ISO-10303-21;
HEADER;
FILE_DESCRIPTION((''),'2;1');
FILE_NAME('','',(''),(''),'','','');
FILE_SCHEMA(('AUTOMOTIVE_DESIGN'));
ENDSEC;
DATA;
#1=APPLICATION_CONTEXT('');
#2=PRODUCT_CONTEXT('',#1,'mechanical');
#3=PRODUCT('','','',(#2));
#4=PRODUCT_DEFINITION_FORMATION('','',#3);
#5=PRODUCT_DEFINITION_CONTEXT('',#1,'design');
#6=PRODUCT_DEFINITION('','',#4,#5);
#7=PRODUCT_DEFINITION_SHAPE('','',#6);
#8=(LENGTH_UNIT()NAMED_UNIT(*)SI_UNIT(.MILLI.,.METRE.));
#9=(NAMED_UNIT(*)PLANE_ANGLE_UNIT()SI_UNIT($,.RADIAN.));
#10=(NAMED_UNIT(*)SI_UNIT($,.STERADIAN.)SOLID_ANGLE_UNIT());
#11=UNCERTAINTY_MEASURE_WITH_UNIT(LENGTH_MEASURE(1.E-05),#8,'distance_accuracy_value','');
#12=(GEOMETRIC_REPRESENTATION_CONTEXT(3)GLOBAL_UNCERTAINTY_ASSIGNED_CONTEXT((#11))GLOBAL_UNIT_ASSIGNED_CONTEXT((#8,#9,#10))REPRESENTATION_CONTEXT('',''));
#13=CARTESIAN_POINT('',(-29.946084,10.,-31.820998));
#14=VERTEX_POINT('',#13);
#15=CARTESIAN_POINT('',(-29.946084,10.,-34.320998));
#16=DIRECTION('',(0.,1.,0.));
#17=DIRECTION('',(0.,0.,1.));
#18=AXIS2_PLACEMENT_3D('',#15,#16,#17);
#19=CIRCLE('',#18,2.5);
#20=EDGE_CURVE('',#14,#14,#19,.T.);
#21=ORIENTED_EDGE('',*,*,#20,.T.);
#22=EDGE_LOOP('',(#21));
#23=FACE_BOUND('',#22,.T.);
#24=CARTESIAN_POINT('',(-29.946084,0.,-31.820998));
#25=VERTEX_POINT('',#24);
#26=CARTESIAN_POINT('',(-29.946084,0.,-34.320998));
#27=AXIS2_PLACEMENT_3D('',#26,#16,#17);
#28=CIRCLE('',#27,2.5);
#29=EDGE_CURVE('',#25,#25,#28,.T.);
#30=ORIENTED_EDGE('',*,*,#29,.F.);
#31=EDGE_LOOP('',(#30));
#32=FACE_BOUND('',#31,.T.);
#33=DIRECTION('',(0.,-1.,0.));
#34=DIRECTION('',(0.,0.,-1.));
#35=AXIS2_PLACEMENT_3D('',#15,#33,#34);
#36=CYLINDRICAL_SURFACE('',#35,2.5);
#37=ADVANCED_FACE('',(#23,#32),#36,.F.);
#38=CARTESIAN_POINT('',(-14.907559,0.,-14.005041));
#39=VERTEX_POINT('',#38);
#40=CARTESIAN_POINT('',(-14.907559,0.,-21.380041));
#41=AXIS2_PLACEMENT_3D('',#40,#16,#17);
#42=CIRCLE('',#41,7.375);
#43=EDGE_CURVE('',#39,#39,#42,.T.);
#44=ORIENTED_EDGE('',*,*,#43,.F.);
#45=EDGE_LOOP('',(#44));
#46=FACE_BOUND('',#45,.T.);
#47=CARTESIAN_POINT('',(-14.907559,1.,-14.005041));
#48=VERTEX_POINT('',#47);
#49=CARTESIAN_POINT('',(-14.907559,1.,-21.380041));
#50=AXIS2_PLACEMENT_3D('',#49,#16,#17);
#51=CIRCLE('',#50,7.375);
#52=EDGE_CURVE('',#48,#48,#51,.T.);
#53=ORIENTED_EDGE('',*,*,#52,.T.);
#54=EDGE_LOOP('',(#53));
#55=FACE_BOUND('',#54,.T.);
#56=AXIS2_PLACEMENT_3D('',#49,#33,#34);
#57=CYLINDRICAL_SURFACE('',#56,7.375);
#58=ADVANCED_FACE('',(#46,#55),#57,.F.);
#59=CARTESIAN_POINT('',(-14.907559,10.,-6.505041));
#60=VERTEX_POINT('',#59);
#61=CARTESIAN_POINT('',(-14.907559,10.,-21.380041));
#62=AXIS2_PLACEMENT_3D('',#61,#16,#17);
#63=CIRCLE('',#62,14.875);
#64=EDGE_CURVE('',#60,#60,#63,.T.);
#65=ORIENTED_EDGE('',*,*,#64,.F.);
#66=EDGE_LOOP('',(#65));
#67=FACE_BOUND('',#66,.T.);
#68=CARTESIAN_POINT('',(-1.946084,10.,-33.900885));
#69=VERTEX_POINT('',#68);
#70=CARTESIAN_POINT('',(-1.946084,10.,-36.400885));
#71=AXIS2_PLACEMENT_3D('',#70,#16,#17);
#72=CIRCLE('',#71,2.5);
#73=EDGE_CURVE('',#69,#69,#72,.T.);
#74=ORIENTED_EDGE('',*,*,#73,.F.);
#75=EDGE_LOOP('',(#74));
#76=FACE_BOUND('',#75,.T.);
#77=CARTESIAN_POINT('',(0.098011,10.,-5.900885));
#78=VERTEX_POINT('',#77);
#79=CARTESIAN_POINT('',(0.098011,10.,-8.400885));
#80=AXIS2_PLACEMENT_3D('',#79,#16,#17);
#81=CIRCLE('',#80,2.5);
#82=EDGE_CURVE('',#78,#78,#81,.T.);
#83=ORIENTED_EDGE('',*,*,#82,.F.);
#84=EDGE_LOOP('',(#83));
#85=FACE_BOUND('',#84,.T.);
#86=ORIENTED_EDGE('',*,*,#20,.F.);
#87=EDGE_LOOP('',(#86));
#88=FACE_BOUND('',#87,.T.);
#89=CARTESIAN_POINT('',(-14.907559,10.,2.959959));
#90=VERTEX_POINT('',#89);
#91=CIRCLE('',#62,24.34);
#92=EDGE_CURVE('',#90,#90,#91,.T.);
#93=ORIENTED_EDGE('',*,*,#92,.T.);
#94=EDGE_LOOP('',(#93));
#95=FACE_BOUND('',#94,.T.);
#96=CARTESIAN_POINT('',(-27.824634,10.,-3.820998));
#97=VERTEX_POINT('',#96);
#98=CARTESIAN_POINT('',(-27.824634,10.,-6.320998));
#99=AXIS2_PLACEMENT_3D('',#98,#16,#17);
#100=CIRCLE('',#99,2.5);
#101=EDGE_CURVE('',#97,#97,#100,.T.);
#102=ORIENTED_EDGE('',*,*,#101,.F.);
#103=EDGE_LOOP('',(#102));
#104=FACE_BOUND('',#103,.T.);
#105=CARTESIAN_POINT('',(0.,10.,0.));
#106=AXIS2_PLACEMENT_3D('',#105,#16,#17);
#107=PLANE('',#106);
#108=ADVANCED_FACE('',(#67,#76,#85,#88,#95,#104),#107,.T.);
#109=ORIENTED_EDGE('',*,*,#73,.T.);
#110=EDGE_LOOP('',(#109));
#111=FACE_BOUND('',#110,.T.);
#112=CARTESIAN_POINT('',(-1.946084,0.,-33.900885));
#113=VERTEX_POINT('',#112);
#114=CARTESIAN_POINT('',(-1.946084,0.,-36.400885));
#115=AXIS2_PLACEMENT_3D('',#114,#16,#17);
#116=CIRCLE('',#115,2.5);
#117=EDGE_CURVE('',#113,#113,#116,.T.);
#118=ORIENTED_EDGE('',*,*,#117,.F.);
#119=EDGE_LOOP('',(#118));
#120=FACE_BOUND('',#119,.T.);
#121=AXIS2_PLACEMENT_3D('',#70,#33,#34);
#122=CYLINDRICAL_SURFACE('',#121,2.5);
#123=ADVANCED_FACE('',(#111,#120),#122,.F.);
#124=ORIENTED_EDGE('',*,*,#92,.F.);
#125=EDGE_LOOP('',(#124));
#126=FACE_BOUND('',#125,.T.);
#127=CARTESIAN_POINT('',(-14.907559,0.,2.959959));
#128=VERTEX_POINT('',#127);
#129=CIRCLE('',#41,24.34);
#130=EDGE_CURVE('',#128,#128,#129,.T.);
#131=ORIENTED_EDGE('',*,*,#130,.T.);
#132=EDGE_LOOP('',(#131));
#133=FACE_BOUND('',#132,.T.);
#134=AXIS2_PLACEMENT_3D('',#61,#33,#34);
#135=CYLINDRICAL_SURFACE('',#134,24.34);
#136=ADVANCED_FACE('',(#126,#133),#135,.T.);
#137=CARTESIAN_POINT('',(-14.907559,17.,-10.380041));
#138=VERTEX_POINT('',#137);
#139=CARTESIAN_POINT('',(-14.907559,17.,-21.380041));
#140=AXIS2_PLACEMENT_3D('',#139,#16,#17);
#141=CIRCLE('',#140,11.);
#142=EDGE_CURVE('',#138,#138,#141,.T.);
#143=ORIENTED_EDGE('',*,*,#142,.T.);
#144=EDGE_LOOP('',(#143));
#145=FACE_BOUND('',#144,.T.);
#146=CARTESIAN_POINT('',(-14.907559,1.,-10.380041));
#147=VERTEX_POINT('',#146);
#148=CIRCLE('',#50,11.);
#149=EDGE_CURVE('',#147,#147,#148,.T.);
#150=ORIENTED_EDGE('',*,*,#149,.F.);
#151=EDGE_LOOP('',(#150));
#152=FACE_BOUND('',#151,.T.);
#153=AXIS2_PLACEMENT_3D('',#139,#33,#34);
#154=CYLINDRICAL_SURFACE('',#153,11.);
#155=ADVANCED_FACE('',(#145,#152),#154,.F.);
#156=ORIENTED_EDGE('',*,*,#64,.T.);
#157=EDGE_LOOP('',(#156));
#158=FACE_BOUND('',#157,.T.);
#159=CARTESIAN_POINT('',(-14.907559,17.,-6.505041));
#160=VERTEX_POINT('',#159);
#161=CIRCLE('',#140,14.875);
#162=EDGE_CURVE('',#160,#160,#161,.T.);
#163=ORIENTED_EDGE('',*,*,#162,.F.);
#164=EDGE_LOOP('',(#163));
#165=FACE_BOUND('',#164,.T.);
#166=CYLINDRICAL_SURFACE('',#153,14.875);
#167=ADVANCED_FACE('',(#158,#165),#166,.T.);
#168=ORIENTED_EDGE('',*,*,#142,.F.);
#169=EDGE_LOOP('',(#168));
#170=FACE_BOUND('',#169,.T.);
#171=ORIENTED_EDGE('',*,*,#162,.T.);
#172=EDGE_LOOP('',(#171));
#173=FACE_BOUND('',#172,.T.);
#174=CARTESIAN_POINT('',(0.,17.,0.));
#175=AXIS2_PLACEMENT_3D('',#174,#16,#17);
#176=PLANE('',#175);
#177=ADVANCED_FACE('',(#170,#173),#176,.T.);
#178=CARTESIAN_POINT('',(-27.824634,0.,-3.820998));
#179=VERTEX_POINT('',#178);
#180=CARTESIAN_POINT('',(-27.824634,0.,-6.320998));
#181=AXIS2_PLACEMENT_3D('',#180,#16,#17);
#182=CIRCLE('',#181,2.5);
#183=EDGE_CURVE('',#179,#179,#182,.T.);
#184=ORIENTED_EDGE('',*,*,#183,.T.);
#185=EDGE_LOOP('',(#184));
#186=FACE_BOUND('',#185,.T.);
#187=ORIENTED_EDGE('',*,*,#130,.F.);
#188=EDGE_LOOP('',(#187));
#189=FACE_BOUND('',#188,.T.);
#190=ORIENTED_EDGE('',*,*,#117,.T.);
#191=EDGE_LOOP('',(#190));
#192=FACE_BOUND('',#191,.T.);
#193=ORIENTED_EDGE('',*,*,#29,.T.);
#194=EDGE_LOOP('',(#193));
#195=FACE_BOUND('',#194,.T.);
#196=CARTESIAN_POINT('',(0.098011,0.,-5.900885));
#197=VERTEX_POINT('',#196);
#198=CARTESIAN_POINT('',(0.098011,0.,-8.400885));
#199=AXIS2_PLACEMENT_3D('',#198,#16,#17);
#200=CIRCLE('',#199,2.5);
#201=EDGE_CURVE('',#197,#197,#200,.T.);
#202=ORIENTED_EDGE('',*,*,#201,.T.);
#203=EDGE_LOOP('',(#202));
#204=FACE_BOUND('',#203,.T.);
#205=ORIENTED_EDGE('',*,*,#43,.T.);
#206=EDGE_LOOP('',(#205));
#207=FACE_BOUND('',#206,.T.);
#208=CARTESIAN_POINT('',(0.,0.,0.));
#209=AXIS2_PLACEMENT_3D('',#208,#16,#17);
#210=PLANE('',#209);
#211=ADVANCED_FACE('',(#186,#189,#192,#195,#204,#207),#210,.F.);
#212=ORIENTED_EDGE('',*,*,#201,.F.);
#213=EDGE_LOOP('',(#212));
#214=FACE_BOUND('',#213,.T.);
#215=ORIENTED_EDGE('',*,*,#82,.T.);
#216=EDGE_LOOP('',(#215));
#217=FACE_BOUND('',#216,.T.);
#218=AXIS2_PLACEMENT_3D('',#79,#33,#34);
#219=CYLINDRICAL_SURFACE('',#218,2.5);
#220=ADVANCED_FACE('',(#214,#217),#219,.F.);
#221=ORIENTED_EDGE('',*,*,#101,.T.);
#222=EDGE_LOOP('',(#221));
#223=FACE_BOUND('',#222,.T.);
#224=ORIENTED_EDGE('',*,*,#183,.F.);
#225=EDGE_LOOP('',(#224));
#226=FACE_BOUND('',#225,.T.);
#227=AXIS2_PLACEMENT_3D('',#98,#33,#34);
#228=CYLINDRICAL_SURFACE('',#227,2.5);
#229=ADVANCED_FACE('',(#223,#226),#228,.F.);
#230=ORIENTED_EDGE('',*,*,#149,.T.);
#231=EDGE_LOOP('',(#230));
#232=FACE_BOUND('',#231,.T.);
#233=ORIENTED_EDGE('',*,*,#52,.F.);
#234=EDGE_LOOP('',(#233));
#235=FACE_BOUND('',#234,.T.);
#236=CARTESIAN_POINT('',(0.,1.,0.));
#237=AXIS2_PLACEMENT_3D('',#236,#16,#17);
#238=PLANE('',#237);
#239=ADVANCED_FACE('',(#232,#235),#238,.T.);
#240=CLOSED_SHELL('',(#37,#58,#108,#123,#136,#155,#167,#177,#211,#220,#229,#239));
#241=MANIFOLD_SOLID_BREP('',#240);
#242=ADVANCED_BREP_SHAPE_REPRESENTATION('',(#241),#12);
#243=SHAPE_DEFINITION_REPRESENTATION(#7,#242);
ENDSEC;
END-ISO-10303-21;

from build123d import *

# Parameters (mm, degrees)
SKETCH1_R            = 14.875
SKETCH1_R_2          = 11
BOSS_EXTRUDE13_DEPTH = 17
SKETCH1_14_R         = 24.34
SKETCH1_14_R_2       = 2.5
SKETCH1_14_R_3       = 14.875
BOSS_EXTRUDE14_DEPTH = 10
SKETCH1_16_R         = 11
SKETCH1_16_R_2       = 7.375
BOSS_EXTRUDE15_DEPTH = 1


with BuildPart() as part:
    # Sketch1 → Boss-Extrude13 (new body)
    with BuildSketch(Plane(origin=(0, 0, 0), x_dir=(1, 0, 0), z_dir=(0, 1, 0))):
        with Locations((-14.907558872, 21.380040763)):
            Circle(SKETCH1_R)
        with Locations((-14.907558872, 21.380040763)):
            Circle(SKETCH1_R_2, mode=Mode.SUBTRACT)
    extrude(amount=BOSS_EXTRUDE13_DEPTH)

    # Sketch1<14> → Boss-Extrude14 (add)
    with BuildSketch(Plane(origin=(0, 0, 0), x_dir=(1, 0, 0), z_dir=(0, 1, 0))):
        with Locations((-14.907558872, 21.380040763)):
            Circle(SKETCH1_14_R)
        with Locations((-27.824633533, 6.320997559)):
            Circle(SKETCH1_14_R_2, mode=Mode.SUBTRACT)
        with Locations((0.098010813, 8.400885227)):
            Circle(SKETCH1_14_R_2, mode=Mode.SUBTRACT)
        with Locations((-29.946083972, 34.320997559)):
            Circle(SKETCH1_14_R_2, mode=Mode.SUBTRACT)
        with Locations((-14.907558872, 21.380040763)):
            Circle(SKETCH1_14_R_3, mode=Mode.SUBTRACT)
        with Locations((-1.946083972, 36.400885227)):
            Circle(SKETCH1_14_R_2, mode=Mode.SUBTRACT)
    extrude(amount=BOSS_EXTRUDE14_DEPTH)

    # Sketch1<16> → Boss-Extrude15 (add)
    with BuildSketch(Plane(origin=(0, 0, 0), x_dir=(1, 0, 0), z_dir=(0, 1, 0))):
        with Locations((-14.907558872, 21.380040763)):
            Circle(SKETCH1_16_R)
        with Locations((-14.907558872, 21.380040763)):
            Circle(SKETCH1_16_R_2, mode=Mode.SUBTRACT)
    extrude(amount=BOSS_EXTRUDE15_DEPTH)


solid = part.part
